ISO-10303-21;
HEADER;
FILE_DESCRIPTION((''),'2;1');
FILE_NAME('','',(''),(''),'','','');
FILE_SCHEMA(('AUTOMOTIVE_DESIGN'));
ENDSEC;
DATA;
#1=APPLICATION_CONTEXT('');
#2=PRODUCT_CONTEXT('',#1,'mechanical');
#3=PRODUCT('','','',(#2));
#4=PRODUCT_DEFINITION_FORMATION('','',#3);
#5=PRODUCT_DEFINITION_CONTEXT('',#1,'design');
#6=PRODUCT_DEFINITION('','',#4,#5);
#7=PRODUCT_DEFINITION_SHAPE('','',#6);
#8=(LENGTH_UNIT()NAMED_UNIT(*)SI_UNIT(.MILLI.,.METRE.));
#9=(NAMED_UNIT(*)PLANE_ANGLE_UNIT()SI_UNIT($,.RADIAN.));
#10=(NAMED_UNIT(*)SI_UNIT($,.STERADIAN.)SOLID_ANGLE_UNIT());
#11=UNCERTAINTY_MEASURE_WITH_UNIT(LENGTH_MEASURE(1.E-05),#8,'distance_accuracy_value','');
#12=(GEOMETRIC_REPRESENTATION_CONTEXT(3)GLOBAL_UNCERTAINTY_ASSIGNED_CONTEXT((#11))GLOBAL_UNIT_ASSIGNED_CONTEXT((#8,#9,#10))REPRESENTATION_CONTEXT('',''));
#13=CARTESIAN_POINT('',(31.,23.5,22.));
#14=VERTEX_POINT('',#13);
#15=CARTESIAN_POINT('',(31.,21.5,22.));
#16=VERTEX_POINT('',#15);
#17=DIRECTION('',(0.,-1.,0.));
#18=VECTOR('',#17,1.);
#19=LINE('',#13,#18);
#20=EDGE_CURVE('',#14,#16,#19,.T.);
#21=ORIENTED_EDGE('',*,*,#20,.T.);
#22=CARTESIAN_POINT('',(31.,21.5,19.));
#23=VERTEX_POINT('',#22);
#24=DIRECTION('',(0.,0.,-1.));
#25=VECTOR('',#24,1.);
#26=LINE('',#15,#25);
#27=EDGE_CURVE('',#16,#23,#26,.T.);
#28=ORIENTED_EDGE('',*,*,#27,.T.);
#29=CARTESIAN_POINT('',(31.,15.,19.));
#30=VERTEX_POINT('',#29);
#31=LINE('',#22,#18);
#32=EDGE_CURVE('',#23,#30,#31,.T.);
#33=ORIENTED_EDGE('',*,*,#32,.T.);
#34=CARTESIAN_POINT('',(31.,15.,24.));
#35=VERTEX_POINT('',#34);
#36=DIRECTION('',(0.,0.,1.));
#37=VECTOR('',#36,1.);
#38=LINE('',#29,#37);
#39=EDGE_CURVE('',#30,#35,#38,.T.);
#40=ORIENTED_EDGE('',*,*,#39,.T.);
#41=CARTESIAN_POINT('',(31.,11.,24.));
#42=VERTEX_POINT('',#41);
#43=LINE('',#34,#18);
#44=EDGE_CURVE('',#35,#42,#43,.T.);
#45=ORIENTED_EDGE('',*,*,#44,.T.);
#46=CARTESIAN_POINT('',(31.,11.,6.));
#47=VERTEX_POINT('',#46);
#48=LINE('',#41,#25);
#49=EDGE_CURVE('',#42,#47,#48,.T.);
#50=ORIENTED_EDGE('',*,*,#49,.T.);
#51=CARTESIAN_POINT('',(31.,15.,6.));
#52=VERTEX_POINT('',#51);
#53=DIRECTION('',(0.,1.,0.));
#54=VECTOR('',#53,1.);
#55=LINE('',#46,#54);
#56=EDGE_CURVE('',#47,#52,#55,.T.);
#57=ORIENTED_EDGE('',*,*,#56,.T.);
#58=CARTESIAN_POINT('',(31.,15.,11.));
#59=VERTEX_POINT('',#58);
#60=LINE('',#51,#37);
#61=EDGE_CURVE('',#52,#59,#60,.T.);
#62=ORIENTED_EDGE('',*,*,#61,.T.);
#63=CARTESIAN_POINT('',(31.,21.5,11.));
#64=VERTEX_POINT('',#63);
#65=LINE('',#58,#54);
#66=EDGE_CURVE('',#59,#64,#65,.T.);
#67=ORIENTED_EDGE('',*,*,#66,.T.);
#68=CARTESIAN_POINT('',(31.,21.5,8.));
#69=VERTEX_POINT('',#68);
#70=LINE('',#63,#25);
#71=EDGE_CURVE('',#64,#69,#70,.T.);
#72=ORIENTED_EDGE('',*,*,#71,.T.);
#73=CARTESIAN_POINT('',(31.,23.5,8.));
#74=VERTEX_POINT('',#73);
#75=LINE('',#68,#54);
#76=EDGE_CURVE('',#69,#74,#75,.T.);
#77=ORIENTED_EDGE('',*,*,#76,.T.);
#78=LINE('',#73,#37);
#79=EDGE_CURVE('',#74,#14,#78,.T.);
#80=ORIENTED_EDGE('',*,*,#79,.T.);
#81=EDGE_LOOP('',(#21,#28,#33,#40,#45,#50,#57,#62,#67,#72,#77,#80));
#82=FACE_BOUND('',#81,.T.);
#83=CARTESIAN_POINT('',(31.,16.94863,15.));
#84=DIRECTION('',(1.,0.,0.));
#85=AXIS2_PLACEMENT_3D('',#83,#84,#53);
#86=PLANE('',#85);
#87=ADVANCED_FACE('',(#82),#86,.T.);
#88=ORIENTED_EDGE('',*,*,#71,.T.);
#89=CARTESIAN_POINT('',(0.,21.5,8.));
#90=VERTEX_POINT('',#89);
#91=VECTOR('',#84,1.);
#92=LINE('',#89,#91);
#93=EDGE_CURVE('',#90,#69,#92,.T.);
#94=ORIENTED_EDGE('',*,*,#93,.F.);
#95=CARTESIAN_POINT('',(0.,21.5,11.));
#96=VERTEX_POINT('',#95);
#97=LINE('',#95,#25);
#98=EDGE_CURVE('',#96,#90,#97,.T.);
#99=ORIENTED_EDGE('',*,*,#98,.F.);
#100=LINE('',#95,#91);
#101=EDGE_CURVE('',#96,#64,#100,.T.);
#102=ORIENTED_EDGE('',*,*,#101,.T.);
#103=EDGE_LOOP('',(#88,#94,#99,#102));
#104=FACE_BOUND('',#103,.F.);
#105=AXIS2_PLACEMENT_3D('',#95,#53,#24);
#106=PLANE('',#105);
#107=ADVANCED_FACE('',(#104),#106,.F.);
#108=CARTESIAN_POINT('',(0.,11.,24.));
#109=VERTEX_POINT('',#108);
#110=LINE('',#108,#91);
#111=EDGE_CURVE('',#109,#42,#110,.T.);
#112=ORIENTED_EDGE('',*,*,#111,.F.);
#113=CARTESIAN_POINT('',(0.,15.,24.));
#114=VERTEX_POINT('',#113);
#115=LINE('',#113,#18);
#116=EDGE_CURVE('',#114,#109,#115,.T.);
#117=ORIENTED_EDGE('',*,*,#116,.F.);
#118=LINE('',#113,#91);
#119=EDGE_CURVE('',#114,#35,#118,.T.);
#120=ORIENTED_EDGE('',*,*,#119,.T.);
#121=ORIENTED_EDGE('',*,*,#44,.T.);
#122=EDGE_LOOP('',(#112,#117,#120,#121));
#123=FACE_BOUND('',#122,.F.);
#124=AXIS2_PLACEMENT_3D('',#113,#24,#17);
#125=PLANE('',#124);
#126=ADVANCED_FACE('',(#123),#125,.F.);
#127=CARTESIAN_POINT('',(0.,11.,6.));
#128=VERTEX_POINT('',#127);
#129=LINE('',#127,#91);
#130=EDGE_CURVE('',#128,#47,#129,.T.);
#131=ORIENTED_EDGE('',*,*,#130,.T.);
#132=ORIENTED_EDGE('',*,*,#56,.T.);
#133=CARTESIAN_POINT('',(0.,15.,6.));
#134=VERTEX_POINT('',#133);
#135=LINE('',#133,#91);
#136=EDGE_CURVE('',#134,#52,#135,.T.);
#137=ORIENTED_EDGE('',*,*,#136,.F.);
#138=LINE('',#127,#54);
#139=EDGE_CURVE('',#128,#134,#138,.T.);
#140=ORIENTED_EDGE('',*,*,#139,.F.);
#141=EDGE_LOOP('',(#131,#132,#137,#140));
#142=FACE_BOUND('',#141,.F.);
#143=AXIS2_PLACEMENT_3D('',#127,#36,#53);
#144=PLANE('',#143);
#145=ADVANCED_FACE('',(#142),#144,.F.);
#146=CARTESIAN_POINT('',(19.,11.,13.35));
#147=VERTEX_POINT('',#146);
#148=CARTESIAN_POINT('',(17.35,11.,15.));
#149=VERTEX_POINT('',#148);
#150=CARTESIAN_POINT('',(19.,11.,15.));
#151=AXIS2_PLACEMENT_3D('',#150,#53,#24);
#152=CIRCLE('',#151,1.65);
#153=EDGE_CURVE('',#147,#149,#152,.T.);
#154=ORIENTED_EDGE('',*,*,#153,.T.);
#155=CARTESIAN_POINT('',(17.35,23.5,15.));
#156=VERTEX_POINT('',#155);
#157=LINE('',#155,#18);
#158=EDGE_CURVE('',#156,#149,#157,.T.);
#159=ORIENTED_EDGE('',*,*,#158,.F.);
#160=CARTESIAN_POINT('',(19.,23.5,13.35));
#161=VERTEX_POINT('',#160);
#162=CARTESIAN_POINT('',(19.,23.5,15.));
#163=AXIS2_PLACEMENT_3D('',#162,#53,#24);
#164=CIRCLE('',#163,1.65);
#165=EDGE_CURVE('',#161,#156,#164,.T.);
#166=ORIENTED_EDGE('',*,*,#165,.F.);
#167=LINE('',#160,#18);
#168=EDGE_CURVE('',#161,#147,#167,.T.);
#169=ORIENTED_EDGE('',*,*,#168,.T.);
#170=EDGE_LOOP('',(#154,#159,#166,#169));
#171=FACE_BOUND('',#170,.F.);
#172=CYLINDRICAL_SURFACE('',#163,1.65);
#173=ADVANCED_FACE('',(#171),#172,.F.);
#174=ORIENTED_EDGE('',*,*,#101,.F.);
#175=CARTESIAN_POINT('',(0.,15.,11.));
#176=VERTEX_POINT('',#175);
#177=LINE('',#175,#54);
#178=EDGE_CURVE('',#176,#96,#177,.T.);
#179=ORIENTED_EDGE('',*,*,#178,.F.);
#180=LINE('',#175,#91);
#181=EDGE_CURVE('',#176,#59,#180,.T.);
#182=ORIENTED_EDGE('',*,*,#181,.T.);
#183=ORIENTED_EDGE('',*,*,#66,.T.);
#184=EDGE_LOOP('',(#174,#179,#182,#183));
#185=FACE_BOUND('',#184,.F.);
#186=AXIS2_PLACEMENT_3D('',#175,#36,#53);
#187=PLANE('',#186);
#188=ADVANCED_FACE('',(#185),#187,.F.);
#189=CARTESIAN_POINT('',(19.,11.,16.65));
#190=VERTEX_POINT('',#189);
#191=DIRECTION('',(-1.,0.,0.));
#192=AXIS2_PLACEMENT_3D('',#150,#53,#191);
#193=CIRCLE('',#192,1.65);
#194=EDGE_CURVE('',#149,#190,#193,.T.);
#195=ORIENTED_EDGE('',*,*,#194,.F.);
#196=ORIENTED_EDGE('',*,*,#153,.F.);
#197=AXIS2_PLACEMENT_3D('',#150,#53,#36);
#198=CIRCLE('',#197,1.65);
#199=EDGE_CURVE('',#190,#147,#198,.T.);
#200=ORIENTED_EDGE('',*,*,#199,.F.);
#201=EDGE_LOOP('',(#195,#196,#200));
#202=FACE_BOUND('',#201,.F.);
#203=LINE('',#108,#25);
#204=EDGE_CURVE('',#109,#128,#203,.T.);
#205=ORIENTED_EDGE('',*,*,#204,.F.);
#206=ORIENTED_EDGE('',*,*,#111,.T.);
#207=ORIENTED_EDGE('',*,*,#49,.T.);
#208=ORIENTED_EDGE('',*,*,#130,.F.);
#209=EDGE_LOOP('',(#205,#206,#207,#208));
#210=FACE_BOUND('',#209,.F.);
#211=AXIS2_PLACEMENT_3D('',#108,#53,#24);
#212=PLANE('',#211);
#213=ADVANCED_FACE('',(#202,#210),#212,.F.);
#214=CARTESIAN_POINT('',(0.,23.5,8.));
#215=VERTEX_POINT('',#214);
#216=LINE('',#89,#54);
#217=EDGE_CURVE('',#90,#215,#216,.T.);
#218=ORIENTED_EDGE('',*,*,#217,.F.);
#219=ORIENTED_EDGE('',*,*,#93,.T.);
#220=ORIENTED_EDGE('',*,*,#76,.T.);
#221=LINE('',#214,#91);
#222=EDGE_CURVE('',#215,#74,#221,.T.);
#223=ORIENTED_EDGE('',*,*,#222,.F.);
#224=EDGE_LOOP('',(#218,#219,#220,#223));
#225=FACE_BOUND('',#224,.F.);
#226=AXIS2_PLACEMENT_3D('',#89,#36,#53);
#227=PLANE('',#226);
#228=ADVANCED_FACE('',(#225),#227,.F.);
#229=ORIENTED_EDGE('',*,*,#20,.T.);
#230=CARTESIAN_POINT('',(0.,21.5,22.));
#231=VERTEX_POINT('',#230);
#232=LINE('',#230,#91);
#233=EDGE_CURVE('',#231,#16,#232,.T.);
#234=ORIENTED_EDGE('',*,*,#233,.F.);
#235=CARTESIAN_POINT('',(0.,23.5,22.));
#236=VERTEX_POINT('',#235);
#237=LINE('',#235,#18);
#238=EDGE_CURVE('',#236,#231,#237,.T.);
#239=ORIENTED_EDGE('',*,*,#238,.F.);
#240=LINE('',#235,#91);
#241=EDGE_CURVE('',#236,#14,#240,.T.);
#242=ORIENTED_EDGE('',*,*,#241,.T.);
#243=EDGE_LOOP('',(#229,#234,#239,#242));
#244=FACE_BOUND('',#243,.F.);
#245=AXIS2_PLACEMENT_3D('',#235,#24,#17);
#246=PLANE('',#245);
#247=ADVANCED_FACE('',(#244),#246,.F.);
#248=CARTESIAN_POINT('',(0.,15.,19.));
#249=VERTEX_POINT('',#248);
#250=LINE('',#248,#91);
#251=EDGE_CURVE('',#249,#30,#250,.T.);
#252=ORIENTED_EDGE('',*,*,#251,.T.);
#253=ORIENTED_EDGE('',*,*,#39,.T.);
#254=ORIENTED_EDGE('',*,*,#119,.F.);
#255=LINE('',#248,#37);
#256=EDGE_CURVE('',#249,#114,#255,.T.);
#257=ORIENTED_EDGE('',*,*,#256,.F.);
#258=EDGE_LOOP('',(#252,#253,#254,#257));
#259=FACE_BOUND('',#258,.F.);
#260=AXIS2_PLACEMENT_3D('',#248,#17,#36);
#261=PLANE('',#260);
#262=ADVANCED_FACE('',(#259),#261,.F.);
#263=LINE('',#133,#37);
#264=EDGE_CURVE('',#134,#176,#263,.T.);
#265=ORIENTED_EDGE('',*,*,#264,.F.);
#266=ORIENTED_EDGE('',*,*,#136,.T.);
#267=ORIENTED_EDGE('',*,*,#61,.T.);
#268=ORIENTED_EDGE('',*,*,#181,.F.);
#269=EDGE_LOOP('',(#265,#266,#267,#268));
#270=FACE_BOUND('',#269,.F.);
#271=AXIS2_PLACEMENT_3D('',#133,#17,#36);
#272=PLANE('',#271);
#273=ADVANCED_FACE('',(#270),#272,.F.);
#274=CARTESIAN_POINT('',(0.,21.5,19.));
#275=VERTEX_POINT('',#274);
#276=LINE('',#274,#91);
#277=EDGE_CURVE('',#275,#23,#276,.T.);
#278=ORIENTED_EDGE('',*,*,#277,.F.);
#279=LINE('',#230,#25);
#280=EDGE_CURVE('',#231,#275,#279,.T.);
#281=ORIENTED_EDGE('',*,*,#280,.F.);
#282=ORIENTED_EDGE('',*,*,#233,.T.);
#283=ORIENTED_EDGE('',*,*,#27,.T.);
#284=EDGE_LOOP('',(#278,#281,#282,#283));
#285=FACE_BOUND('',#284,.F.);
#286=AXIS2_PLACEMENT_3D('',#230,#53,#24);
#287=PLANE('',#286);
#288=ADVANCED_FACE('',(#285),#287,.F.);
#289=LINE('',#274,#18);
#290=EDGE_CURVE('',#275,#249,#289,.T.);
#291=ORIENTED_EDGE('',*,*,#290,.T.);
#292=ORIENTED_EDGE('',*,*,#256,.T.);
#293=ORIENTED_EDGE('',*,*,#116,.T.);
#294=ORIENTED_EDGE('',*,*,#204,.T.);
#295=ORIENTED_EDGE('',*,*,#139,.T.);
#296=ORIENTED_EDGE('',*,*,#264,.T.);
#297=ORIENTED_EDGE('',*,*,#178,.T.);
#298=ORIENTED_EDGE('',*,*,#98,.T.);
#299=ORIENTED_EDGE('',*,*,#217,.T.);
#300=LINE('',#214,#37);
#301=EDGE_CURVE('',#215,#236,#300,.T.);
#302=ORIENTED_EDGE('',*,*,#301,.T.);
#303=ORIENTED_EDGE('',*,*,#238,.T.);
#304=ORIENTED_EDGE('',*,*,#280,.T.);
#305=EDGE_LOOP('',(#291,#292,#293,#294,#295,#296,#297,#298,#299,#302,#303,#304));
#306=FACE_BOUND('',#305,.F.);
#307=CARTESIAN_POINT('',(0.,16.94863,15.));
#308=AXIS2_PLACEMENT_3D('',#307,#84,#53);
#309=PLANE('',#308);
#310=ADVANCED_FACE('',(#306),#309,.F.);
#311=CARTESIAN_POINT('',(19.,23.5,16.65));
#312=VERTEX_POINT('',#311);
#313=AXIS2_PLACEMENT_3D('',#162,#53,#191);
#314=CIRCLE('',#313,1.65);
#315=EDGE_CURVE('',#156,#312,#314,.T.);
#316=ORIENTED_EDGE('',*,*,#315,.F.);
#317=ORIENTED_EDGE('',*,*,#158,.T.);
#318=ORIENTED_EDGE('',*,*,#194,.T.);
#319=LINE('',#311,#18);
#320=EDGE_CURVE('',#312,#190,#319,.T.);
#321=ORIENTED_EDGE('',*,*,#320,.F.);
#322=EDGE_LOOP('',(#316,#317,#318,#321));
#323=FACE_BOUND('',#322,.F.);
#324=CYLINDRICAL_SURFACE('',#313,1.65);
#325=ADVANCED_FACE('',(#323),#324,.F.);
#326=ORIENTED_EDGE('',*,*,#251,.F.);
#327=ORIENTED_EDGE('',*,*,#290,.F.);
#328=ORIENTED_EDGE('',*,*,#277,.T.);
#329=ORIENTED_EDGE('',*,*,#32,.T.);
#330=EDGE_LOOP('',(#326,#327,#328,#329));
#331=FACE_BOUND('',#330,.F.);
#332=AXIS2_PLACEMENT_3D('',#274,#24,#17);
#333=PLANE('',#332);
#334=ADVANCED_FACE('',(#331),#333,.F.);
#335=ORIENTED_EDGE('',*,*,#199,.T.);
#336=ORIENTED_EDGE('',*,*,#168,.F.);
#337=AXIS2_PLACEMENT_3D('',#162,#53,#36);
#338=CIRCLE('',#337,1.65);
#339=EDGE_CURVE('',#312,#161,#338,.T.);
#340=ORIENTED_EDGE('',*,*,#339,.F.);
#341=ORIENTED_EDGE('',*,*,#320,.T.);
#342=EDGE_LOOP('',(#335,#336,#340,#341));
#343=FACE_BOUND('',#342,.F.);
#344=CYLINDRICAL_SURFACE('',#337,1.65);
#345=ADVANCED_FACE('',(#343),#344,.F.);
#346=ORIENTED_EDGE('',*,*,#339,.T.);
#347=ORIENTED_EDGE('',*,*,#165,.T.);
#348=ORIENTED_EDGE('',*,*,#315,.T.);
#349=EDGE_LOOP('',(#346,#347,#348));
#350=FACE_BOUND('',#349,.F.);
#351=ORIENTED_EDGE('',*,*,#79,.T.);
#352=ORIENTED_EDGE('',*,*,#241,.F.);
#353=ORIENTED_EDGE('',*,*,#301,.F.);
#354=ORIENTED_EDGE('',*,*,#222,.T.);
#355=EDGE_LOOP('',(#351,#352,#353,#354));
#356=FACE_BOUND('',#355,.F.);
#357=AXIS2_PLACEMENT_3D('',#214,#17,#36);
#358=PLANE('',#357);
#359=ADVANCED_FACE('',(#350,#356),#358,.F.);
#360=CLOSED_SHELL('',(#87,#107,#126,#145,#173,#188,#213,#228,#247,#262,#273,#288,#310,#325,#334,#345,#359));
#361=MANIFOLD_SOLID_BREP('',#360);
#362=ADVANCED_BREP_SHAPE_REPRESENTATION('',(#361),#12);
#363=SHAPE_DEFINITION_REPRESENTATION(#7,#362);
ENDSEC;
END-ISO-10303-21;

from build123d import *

# Parameters (mm, degrees)
F1_DEPTH = 38
F3_DEPTH = 25
F4_DEPTH = 7


with BuildPart() as f1:
    # F0 (on Right) → F1 (new body)
    with BuildSketch(Plane.YZ):
        Polygon((15, 19), (15, 20), (15, 24), (11, 24), (11, 15), (11, 6), (15, 6), (15, 10), (15, 11), (21.5, 11), (21.5, 8), (23.5, 8), (23.5, 15), (23.5, 22), (21.5, 22), (21.5, 19), align=None)
    extrude(amount=F1_DEPTH)

    # F2 (on face) → F3 (cut)
    with BuildSketch(Plane(origin=(0, 23.5, 0), x_dir=(-1, 0, 0), z_dir=(0, 1, 0))):
        with BuildLine():
            ThreePointArc((-17.35, 15), (-17.833273811, 16.166726189), (-19, 16.65))
            Line((-19, 16.65), (-19, 13.35))
            ThreePointArc((-19, 13.35), (-17.833273811, 13.833273811), (-17.35, 15))
        make_face()
        with BuildLine():
            Line((-19, 13.35), (-19, 16.65))
            ThreePointArc((-19, 16.65), (-20.65, 15), (-19, 13.35))
        make_face()
    extrude(amount=-F3_DEPTH, mode=Mode.SUBTRACT)

    # F4 (cut): a face of the model
    f4_faces = [f1.faces().sort_by_distance(p)[0] for p in [
        (38, 16.5460526316, 15),
    ]]
    extrude(f4_faces, amount=-F4_DEPTH, mode=Mode.SUBTRACT)


solid = f1.part
